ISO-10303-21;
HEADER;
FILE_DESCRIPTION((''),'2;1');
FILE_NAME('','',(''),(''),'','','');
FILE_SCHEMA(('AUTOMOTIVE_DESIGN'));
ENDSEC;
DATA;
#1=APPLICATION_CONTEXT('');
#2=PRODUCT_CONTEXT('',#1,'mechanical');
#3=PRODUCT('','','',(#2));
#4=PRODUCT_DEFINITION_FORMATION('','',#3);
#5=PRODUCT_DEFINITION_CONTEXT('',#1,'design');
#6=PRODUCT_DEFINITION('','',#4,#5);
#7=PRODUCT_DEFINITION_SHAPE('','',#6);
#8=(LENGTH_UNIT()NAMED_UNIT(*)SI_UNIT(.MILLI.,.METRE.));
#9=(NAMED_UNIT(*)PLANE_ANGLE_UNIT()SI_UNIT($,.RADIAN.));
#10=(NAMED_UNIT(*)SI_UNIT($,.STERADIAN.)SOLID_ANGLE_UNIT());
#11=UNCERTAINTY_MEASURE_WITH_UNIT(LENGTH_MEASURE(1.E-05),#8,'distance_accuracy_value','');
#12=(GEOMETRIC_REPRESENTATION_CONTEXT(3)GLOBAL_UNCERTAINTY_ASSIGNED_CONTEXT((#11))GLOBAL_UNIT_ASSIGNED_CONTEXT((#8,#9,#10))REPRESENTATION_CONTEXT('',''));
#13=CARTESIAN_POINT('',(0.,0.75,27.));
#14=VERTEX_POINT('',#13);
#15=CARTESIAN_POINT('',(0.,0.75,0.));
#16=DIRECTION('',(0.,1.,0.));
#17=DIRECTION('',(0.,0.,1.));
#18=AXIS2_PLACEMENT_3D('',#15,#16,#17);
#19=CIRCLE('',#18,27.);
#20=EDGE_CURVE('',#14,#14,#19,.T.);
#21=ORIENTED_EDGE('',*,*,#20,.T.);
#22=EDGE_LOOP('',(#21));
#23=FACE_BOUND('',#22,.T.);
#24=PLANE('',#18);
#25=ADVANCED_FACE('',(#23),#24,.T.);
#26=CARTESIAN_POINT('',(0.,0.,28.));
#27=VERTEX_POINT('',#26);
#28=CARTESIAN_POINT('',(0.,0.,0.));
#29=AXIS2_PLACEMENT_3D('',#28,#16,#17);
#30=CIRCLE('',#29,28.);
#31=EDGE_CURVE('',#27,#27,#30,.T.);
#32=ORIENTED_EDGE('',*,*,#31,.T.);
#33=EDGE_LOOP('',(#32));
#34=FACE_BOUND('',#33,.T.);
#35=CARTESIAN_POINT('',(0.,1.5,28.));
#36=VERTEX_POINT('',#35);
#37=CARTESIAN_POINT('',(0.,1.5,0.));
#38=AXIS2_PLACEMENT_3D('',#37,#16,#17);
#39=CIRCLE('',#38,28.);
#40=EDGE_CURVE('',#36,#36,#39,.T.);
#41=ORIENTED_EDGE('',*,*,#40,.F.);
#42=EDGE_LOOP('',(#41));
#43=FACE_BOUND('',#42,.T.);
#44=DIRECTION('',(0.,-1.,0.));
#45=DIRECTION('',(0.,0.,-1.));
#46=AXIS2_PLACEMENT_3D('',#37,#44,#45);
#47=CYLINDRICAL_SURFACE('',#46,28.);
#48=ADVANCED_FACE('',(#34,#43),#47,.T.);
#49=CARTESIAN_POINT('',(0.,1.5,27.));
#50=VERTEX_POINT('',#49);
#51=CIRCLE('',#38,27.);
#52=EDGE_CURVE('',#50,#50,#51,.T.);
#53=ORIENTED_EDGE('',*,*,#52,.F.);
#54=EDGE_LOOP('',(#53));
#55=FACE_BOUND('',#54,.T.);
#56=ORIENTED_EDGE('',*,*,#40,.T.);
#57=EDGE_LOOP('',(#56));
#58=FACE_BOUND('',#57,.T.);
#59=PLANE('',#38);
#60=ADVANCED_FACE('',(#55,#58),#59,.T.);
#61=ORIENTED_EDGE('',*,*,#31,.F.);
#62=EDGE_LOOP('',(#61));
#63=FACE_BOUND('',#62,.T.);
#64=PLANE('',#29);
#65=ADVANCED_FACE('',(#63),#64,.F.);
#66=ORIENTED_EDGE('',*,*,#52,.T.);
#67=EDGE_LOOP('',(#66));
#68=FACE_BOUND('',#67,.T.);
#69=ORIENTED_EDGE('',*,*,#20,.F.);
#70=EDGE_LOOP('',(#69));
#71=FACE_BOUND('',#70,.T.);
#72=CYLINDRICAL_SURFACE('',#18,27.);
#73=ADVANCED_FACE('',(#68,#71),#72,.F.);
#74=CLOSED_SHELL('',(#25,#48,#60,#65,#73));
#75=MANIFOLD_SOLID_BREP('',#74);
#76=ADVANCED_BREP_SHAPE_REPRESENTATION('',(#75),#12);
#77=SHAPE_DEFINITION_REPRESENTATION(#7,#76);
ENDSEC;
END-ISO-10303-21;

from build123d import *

# Parameters (mm, degrees)
SKETCH1_R           = 28
BOSS_EXTRUDE1_DEPTH = 1.5
SKETCH3_R           = 27
CUT_EXTRUDE1_DEPTH  = 0.75


with BuildPart() as part:
    # Sketch1 → Boss-Extrude1 (new body)
    with BuildSketch(Plane(origin=(0, 0, 0), x_dir=(1, 0, 0), z_dir=(0, 1, 0))):
        with Locations(Location((0, 0, 0), (0, 0, 270))):
            Circle(SKETCH1_R)
    extrude(amount=BOSS_EXTRUDE1_DEPTH)

    # Sketch3 → Cut-Extrude1 (cut)
    with BuildSketch(Plane(origin=(0, 1.5, 0), x_dir=(1, 0, 0), z_dir=(0, 1, 0))):
        with Locations(Location((0, 0, 0), (0, 0, 270))):
            Circle(SKETCH3_R)
    extrude(amount=-CUT_EXTRUDE1_DEPTH, mode=Mode.SUBTRACT)


solid = part.part
